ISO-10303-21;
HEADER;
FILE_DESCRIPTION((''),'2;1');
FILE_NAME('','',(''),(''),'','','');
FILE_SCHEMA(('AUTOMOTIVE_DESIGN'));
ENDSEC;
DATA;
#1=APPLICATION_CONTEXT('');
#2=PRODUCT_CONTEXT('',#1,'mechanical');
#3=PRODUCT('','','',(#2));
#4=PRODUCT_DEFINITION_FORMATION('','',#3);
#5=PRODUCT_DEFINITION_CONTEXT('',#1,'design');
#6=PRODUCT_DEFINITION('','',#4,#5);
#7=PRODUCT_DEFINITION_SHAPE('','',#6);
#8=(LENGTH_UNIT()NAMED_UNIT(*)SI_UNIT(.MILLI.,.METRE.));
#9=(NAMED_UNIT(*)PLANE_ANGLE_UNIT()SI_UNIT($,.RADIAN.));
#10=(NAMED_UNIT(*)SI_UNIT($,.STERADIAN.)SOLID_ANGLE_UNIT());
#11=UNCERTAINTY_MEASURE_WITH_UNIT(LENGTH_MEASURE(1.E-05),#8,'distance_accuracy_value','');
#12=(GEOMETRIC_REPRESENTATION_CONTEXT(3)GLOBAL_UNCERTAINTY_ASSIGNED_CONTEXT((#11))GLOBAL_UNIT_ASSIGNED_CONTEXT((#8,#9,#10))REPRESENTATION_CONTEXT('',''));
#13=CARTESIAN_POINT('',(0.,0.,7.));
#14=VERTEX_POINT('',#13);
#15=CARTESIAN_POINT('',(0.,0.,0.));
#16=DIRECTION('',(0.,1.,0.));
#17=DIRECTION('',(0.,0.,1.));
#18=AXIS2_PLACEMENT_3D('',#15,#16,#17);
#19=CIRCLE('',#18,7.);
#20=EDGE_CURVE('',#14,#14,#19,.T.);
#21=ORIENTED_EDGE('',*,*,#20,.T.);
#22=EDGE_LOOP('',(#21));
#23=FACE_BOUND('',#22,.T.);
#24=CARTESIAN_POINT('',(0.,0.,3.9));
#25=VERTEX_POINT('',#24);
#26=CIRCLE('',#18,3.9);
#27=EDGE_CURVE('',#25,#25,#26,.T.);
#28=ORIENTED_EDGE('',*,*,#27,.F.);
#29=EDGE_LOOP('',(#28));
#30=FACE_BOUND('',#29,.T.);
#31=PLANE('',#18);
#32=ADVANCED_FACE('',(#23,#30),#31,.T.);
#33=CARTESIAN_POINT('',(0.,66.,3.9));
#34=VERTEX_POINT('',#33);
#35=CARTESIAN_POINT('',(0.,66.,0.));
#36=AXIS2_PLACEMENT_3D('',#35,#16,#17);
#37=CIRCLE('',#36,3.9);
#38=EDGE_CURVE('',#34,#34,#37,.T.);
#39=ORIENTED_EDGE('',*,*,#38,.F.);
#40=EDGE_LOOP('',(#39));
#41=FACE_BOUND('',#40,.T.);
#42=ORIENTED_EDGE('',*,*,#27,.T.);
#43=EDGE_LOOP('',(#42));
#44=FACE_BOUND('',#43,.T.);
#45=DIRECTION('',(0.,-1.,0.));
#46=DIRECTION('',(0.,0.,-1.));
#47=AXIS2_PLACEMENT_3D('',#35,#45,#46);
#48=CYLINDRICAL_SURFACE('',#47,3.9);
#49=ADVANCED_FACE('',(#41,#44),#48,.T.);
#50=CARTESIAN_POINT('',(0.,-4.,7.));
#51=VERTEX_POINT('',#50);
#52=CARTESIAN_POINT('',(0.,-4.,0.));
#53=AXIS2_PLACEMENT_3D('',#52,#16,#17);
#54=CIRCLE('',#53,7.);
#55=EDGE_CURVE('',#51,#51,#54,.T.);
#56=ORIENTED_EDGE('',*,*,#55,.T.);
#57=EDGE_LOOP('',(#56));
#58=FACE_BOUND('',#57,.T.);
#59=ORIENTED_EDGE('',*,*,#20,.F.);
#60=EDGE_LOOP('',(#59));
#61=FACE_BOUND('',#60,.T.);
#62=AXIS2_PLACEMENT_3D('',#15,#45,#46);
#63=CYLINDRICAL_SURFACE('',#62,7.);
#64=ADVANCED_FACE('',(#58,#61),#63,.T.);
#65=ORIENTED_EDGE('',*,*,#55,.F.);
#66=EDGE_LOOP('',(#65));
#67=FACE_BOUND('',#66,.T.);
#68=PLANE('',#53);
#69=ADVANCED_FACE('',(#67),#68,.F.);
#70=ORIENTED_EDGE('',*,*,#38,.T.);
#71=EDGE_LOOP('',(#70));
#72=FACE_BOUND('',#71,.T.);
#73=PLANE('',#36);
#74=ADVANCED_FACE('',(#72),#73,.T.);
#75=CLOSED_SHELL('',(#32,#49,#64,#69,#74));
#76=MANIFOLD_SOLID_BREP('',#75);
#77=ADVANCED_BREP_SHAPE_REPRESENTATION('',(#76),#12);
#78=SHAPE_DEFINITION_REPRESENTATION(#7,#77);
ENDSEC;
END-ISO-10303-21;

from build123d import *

# Parameters (mm, degrees)
BOSS_EXTRUDE1_START = -4
SKETCH1_R           = 7
BOSS_EXTRUDE1_DEPTH = 4
SKETCH2_R           = 3.9
BOSS_EXTRUDE2_DEPTH = 66


with BuildPart() as part:
    # Sketch1 → Boss-Extrude1 (new body)
    with BuildSketch(Plane(origin=(0, 0, 0), x_dir=(1, 0, 0), z_dir=(0, 1, 0)).offset(BOSS_EXTRUDE1_START)):
        with Locations(Location((0, 0, 0), (0, 0, 270))):
            Circle(SKETCH1_R)
    extrude(amount=BOSS_EXTRUDE1_DEPTH)

    # Sketch2 → Boss-Extrude2 (add)
    with BuildSketch(Plane(origin=(0, 0, 0), x_dir=(1, 0, 0), z_dir=(0, 1, 0))):
        with Locations(Location((0, 0, 0), (0, 0, 270))):
            Circle(SKETCH2_R)
    extrude(amount=BOSS_EXTRUDE2_DEPTH)


solid = part.part
